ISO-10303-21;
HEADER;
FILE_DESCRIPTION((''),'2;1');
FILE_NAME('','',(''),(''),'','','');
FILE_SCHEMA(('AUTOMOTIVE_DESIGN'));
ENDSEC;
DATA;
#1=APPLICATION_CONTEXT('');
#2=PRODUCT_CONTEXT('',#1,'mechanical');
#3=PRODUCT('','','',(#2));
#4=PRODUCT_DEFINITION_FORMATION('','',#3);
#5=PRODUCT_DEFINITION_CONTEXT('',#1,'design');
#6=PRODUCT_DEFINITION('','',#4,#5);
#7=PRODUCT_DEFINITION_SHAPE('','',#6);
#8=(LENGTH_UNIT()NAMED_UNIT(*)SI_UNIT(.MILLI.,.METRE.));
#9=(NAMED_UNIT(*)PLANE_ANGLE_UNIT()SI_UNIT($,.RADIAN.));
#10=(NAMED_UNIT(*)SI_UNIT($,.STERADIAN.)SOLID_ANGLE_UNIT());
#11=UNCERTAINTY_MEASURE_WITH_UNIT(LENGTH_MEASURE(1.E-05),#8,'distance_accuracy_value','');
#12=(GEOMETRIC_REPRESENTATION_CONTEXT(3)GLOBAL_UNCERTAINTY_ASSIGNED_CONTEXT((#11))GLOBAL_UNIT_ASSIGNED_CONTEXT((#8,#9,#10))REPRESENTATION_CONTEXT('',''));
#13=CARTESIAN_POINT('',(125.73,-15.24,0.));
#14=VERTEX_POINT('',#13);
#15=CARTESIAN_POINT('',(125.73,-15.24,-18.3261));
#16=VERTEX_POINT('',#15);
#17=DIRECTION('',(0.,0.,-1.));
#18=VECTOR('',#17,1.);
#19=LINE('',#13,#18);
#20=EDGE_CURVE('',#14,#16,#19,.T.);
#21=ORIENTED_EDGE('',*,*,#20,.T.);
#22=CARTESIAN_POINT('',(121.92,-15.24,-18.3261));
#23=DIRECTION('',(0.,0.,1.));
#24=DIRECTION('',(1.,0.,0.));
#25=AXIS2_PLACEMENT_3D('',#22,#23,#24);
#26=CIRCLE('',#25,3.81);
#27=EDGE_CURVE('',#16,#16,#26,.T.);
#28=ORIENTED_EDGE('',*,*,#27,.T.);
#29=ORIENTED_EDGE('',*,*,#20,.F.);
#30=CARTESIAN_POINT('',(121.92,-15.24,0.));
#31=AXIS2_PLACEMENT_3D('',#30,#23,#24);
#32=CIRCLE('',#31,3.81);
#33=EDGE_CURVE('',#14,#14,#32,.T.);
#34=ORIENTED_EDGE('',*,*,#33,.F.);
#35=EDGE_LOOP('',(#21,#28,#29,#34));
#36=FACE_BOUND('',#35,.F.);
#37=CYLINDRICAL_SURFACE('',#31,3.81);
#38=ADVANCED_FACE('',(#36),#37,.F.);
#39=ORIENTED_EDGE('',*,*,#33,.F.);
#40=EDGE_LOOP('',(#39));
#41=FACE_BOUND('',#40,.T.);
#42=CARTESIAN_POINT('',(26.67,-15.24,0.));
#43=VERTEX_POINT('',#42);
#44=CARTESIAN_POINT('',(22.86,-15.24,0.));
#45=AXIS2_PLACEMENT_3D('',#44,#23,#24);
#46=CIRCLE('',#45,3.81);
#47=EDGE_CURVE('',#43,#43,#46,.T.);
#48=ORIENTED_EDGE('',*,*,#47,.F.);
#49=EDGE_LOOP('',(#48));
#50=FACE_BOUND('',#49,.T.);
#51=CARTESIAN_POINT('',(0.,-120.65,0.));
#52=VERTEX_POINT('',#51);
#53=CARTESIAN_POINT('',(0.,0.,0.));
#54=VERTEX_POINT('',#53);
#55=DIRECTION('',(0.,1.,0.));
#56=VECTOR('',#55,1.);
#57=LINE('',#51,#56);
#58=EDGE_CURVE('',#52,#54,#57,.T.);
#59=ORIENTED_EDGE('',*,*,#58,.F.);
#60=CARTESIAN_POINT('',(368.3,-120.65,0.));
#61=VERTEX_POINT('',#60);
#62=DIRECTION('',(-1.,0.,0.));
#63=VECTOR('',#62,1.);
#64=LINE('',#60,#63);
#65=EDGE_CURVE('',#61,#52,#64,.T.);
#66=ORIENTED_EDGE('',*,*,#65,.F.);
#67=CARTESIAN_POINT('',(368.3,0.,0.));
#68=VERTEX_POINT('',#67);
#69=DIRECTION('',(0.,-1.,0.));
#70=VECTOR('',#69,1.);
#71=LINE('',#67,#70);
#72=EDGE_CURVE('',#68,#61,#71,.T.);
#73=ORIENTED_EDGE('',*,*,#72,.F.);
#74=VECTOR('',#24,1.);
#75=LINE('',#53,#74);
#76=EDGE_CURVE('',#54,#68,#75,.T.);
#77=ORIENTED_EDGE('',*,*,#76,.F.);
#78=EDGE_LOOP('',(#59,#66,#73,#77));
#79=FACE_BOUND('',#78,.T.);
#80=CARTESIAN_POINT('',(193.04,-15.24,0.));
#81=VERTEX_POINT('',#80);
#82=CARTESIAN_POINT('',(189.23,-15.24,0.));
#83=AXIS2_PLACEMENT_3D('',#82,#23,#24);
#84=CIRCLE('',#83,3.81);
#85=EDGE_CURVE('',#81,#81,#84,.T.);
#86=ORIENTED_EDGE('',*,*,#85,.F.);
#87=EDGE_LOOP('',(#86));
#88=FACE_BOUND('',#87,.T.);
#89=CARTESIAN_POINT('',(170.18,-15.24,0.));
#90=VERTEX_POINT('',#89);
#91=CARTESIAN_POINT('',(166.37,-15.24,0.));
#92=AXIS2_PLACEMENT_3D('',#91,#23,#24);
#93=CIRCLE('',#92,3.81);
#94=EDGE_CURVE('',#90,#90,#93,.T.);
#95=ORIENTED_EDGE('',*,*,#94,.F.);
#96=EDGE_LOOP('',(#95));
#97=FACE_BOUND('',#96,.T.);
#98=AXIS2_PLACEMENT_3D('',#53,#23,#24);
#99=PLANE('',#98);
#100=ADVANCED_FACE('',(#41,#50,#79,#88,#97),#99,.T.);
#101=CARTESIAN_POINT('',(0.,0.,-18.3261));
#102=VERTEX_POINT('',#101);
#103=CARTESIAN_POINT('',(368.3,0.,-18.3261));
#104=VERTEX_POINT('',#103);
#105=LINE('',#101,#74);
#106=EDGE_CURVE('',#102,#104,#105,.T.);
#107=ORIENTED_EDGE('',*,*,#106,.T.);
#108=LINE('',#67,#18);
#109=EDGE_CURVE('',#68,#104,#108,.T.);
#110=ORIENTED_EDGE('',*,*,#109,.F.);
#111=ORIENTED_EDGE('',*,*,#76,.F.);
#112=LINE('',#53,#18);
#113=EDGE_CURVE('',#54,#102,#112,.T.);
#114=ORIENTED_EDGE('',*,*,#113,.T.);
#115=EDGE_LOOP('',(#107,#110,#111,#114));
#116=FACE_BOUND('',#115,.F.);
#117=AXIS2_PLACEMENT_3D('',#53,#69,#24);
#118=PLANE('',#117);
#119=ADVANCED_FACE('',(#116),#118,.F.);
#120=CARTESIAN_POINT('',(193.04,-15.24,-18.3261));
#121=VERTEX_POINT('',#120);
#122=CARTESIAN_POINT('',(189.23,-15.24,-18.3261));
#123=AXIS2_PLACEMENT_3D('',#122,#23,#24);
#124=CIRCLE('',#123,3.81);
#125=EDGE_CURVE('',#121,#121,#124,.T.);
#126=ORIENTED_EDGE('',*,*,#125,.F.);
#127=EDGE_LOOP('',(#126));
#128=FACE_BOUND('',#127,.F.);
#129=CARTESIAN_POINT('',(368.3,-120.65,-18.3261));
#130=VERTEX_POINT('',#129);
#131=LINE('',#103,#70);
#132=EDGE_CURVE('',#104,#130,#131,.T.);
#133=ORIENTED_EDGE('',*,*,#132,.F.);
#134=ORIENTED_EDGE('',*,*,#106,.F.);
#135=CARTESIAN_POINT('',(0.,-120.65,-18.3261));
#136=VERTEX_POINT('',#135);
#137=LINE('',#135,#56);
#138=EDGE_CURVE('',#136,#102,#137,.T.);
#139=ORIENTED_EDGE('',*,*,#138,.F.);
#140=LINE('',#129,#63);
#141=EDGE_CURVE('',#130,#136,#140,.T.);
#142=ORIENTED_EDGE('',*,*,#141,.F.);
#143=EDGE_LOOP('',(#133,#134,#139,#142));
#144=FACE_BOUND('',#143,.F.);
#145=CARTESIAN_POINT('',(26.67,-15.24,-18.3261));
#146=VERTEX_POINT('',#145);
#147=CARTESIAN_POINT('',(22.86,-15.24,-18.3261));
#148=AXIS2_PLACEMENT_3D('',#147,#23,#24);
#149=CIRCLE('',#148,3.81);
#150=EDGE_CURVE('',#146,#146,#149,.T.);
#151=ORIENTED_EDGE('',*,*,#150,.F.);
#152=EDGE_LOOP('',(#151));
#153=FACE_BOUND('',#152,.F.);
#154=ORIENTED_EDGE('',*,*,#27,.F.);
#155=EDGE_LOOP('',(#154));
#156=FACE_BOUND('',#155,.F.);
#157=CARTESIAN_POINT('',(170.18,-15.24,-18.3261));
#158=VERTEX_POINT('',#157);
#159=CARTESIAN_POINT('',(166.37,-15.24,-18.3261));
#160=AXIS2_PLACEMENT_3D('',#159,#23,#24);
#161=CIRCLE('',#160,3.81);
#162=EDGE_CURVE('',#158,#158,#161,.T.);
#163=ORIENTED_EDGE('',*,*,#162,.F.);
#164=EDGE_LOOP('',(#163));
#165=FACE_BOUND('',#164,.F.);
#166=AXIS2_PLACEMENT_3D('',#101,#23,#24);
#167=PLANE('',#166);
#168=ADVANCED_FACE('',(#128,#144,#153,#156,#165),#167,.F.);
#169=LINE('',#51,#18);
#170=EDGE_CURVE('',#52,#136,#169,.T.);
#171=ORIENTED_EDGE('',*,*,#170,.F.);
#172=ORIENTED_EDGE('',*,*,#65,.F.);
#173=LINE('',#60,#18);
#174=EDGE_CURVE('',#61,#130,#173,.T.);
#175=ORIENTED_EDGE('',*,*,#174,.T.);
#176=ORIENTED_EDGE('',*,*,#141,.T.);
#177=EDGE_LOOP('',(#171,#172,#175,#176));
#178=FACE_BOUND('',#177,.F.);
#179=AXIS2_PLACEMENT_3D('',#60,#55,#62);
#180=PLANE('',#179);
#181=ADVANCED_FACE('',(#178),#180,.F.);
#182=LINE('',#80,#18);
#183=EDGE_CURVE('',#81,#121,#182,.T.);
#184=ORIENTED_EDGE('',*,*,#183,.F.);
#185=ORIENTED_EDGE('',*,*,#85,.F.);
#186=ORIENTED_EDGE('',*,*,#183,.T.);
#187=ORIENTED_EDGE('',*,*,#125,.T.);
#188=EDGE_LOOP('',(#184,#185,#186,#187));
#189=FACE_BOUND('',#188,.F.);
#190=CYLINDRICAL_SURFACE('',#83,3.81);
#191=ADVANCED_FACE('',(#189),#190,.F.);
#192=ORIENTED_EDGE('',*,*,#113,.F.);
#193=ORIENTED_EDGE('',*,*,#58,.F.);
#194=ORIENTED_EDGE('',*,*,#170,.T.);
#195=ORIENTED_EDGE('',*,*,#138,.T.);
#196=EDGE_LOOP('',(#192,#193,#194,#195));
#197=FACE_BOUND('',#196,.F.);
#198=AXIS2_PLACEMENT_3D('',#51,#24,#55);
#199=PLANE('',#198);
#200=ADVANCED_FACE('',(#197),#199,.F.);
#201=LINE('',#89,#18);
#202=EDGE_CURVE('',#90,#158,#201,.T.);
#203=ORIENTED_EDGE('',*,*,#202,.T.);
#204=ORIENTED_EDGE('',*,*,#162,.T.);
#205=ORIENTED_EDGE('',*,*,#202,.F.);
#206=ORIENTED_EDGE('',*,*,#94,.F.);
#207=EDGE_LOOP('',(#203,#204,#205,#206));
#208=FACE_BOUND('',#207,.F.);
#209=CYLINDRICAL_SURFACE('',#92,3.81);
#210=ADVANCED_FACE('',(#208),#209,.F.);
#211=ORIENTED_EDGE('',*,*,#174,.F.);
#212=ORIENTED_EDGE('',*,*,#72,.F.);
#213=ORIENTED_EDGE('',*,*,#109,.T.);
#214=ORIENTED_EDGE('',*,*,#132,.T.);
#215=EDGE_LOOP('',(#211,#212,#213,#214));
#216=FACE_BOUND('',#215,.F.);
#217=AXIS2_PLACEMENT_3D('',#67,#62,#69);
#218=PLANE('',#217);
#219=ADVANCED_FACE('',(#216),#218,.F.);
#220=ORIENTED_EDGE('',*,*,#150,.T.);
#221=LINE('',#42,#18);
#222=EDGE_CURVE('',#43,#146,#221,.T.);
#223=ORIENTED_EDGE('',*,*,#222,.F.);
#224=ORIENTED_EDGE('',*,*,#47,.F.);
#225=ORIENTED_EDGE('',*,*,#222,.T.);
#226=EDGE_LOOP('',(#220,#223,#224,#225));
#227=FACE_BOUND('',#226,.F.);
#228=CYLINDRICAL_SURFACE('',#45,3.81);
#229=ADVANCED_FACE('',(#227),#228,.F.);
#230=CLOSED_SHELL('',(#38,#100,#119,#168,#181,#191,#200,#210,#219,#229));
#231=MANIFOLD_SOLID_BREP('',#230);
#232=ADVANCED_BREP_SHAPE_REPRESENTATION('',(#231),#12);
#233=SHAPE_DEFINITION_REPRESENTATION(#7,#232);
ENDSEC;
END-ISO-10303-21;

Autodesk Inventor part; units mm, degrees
ref_plane "YZ Plane" through (0, 0, 0) normal (1, 0, 0) x (0, 1, 0)
ref_plane "XZ Plane" through (0, 0, 0) normal (0, 1, 0) x (-1, 0, 0)
ref_plane "XY Plane" through (0, 0, 0) normal (0, 0, 1) x (1, 0, 0)
sketch "Sketch1" plane through (0, 0, 0) normal (0, 0, 1) x (1, 0, 0)
  line L0 (0, 0) -> (368.3, 0)
  line L1 (368.3, 0) -> (368.3, -120.65)
  line L2 (368.3, -120.65) -> (0, -120.65)
  line L3 (0, -120.65) -> (0, 0)
  circle A0 centre (22.86, -15.24) radius 3.81
  circle A1 centre (121.92, -15.24) radius 3.81
  circle A2 centre (166.37, -15.24) radius 3.81
  circle A3 centre (189.23, -15.24) radius 3.81
  dimension "d0" = 368.3
  dimension "d1" = 120.65
  dimension "d2" = 7.62
  dimension "d3" = 22.86
  dimension "d4" = 105.41
  dimension "d5" = 7.62
  dimension "d6" = 99.06
  dimension "d7" = 7.62
  dimension "d8" = 44.45
  dimension "d9" = 7.62
  dimension "d10" = 22.86
extrude "Extrusion1" add sketch "Sketch1" against normal blind 18.3261
properties part number "Kermit bumper 2 medium"
